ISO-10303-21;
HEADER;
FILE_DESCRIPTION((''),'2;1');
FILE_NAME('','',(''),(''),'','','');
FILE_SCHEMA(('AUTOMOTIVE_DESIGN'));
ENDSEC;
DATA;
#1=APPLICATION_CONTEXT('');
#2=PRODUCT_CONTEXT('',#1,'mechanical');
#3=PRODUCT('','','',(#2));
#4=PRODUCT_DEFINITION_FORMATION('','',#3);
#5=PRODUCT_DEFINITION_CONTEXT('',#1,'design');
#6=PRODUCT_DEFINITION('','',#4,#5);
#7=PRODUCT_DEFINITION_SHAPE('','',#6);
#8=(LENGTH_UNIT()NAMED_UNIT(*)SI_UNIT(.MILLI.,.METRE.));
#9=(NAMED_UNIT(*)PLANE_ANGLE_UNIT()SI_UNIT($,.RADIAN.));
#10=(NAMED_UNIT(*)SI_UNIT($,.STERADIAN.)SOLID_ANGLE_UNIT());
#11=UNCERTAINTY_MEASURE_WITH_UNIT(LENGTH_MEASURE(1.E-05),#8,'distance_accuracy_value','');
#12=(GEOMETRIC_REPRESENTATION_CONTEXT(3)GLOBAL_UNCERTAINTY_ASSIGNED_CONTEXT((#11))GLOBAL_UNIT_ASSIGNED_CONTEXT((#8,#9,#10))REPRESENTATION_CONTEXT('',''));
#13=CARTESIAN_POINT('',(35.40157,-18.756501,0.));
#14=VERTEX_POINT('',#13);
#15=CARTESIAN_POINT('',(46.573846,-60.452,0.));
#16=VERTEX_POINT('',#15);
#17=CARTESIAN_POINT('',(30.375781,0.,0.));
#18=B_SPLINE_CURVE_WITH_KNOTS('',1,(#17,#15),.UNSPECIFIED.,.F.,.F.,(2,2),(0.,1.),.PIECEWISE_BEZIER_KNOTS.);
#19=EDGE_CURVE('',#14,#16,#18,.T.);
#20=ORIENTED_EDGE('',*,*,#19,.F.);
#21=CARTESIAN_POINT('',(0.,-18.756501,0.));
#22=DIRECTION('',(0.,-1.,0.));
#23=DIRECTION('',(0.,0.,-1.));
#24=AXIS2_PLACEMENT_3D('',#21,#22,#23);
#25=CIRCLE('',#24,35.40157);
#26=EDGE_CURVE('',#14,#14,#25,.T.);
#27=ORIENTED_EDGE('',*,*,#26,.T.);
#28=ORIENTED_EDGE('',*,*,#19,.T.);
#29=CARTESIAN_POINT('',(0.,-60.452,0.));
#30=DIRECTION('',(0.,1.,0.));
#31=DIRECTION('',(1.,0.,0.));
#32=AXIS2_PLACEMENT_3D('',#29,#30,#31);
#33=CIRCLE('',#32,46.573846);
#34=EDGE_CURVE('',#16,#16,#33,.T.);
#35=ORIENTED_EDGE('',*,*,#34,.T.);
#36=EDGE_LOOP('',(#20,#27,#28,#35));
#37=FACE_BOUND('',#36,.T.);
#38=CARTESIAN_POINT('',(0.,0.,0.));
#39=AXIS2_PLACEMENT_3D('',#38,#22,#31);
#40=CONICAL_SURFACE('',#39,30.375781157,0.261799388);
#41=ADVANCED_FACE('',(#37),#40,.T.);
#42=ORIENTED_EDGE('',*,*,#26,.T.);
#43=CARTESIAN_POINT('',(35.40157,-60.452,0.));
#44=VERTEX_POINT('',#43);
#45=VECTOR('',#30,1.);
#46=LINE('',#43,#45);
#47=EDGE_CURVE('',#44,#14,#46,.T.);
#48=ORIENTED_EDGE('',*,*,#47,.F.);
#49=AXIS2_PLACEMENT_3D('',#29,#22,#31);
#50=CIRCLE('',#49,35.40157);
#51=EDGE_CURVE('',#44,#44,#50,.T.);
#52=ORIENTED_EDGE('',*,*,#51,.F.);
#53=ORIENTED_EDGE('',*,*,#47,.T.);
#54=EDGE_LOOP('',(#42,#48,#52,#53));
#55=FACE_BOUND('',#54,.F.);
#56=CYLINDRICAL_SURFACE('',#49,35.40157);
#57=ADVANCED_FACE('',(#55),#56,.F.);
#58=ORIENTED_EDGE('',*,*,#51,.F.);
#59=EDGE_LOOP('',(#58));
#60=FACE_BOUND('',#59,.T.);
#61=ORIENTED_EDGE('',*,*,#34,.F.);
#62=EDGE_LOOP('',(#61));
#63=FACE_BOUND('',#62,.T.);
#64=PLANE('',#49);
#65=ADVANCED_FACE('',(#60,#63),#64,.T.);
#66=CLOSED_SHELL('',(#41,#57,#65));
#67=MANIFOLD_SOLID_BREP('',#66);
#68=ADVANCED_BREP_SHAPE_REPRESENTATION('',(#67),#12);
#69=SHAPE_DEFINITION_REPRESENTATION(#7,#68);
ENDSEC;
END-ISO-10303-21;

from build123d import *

# Parameters (mm, degrees)
F0_R     = 30.3757811568
F1_DEPTH = 60.452
F1_TAPER = -15
F2_R     = 35.4015704277
F3_DEPTH = 105.41


with BuildPart() as f1:
    # F0 (on Front) → F1 (new body)
    with BuildSketch(Plane.XZ):
        Circle(F0_R)
    extrude(amount=F1_DEPTH, taper=F1_TAPER)

    # F2 (on face) → F3 (cut)
    with BuildSketch(Plane.XZ.offset(60.452)):
        Circle(F2_R)
    extrude(amount=-F3_DEPTH, mode=Mode.SUBTRACT)


solid = f1.part
